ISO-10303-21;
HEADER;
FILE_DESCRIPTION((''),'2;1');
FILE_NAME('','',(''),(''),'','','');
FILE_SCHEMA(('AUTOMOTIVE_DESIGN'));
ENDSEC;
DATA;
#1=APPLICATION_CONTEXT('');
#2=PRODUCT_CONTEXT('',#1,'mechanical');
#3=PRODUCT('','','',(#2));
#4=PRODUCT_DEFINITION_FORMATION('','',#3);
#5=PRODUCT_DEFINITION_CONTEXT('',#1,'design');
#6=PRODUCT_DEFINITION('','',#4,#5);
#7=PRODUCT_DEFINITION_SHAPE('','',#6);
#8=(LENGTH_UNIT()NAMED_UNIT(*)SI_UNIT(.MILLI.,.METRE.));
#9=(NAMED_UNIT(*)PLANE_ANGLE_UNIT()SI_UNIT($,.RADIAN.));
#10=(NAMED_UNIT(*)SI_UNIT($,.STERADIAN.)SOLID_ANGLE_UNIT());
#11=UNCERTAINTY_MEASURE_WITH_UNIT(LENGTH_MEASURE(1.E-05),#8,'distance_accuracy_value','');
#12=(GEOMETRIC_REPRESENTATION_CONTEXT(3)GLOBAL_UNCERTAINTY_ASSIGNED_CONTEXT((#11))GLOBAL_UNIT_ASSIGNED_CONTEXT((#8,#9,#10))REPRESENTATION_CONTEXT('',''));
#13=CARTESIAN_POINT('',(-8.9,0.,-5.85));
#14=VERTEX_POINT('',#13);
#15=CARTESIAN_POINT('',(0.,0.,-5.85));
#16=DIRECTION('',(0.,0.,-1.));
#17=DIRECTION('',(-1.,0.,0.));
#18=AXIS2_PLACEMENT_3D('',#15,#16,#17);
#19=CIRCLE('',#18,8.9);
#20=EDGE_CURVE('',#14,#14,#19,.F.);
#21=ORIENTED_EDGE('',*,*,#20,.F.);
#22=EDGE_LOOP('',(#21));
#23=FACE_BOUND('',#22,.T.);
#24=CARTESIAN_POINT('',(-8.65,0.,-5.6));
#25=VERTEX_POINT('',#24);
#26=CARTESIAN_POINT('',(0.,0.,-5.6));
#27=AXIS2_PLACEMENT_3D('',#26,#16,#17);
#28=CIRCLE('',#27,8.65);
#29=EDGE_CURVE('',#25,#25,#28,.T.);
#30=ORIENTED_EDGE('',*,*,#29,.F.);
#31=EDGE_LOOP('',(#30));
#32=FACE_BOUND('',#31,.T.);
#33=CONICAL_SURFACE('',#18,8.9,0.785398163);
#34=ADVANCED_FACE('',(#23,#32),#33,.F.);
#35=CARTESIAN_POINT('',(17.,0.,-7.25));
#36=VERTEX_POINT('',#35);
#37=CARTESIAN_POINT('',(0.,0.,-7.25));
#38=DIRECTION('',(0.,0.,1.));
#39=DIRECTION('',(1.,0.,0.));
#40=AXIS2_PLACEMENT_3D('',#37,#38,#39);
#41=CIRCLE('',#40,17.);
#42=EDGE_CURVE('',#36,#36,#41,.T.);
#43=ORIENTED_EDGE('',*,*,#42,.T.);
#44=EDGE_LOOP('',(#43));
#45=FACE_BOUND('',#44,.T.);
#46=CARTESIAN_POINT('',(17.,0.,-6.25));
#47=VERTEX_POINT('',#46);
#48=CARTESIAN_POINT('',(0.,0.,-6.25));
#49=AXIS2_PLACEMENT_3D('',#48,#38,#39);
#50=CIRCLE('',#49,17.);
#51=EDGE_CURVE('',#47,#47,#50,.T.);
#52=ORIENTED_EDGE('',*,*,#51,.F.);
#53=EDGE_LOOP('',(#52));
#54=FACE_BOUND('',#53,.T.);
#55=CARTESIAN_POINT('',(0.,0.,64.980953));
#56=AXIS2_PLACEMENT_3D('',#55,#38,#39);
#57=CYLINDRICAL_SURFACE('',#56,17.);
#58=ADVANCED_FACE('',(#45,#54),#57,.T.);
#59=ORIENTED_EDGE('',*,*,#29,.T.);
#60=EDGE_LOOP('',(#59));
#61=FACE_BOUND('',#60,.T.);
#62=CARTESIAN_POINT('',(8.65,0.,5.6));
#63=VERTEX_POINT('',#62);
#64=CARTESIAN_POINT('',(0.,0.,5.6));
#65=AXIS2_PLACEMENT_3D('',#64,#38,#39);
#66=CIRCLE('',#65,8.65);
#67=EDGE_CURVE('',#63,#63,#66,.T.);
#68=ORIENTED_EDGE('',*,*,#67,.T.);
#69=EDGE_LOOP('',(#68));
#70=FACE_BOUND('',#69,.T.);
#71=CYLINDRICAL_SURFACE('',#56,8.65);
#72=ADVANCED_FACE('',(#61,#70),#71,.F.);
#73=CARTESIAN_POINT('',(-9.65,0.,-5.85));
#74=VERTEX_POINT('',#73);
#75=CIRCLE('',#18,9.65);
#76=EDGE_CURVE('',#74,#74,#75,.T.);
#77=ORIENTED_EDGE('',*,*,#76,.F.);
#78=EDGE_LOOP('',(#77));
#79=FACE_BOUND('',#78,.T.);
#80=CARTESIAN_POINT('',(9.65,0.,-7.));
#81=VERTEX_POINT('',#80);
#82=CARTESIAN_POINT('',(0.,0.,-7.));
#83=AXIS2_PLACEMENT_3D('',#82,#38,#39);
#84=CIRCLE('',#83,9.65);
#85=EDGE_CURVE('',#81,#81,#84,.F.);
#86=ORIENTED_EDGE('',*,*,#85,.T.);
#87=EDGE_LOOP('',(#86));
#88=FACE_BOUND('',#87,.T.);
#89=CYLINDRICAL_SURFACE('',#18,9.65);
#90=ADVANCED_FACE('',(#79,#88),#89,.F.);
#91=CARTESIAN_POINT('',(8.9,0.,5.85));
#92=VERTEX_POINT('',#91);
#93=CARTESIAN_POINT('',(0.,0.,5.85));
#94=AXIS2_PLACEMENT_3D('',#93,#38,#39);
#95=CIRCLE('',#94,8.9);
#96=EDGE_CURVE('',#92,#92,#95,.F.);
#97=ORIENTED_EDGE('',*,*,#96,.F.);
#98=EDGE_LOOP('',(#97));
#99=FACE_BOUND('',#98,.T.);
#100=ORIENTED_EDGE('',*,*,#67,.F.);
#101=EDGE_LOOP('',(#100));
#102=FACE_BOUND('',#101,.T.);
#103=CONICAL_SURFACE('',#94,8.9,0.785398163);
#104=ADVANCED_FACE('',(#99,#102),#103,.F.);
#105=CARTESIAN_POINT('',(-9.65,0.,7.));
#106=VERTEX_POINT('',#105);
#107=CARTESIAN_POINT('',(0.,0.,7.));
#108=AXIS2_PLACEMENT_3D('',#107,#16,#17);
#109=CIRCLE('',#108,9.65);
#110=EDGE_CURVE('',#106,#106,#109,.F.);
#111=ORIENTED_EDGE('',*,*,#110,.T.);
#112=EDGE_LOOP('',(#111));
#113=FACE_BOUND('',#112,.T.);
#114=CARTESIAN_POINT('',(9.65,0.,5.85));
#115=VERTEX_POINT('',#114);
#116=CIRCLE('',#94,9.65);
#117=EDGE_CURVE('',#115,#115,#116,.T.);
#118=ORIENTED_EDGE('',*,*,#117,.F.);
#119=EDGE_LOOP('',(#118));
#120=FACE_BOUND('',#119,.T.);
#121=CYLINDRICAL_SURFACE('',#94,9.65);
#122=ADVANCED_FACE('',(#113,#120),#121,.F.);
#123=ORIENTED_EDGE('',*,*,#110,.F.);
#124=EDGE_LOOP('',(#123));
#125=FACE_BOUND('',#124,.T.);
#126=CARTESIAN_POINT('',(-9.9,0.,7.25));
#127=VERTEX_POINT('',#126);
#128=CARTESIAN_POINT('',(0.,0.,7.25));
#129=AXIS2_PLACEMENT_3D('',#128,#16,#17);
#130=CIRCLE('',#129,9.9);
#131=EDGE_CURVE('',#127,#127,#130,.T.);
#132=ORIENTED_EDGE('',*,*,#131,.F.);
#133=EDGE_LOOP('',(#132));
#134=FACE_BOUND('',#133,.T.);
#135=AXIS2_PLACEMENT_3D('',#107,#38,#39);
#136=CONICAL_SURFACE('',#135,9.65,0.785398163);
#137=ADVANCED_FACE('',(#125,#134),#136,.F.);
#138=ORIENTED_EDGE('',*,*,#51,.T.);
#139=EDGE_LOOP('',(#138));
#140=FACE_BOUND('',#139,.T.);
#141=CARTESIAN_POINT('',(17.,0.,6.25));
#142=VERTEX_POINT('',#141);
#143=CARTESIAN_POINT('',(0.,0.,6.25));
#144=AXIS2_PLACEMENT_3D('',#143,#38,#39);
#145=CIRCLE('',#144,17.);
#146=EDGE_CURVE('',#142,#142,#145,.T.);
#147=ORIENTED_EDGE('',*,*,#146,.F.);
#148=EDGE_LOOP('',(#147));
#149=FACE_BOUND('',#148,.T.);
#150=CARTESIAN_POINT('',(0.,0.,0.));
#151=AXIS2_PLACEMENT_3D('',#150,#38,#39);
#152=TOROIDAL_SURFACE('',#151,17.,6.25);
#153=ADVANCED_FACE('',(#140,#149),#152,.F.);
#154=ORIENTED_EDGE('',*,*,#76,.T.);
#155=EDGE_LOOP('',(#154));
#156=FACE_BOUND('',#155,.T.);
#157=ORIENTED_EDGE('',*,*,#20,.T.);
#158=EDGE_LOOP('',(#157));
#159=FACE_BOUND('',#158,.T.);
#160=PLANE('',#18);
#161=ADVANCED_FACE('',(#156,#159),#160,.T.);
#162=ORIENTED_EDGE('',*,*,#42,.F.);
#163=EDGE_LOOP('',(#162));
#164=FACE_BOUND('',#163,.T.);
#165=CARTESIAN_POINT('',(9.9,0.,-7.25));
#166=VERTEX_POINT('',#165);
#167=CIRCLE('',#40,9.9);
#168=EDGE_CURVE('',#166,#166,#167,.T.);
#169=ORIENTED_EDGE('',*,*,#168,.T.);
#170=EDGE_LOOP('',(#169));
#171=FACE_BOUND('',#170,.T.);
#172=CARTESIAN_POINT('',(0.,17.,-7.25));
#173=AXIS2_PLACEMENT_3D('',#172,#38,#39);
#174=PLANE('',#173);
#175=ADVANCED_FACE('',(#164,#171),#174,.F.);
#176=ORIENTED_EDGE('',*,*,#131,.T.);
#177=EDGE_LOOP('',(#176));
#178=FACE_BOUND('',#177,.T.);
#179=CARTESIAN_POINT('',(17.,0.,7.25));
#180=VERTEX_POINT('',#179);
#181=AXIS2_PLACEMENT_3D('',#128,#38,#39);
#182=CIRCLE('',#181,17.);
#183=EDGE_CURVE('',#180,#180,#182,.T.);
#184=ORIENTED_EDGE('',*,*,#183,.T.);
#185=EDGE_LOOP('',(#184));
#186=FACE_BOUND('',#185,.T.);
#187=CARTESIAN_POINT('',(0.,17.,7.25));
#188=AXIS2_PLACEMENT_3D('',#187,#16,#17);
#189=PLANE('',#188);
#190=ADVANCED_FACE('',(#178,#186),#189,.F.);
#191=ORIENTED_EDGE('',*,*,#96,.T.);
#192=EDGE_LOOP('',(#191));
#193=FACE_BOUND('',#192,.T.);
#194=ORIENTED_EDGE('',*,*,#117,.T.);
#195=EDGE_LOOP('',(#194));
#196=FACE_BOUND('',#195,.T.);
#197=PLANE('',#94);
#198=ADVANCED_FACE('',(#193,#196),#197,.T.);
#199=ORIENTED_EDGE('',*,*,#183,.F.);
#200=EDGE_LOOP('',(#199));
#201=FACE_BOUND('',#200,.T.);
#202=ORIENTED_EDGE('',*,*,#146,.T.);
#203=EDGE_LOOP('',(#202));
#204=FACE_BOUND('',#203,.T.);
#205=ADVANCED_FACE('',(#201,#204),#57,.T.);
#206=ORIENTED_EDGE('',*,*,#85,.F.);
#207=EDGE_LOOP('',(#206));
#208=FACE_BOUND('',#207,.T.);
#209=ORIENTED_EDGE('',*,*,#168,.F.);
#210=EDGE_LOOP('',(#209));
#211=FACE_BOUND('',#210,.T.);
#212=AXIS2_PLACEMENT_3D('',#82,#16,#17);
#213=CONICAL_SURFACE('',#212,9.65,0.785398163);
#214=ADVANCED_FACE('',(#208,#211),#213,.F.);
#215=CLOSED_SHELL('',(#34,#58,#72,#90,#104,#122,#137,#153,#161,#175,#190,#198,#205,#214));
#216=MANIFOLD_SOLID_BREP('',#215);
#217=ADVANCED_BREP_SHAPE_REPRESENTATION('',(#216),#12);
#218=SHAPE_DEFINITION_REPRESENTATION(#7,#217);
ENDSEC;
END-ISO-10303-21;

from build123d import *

# Parameters (mm, degrees)
SKETCH2_R          = 9.65
CUT_EXTRUDE1_DEPTH = 1.4
CUT_EXTRUDE2_START = -1.4
SKETCH3_R          = 9.65
CUT_EXTRUDE2_DEPTH = 1.4
CHAMFER1_SIZE      = 0.25


with BuildPart() as part:
    # Sketch1 → Revolve1 (revolve)
    with BuildSketch(Plane(origin=(0, 0, 0), x_dir=(0, 0, -1), z_dir=(1, 0, 0)), mode=Mode.PRIVATE) as revolve1_sk:
        with BuildLine():
            Line((-6.25, 17), (-7.25, 17))
            Line((-7.25, 17), (-7.25, 8.65))
            Line((-7.25, 8.65), (7.25, 8.65))
            Line((7.25, 8.65), (7.25, 17))
            Line((7.25, 17), (6.25, 17))
            ThreePointArc((6.25, 17), (0, 10.75), (-6.25, 17))
        make_face()
    revolve(revolve1_sk.sketch.rotate(Axis((0, 0, 64.980952982), (0, 0, -1)), 90), axis=Axis((0, 0, 64.980952982), (0, 0, -1)))

    # Sketch2 → Cut-Extrude1 (cut)
    with BuildSketch(Plane(origin=(0, 0, -7.25), x_dir=(-1, 0, 0), z_dir=(0, 0, -1))):
        Circle(SKETCH2_R)
    extrude(amount=-CUT_EXTRUDE1_DEPTH, mode=Mode.SUBTRACT)

    # Sketch3 → Cut-Extrude2 (cut)
    with BuildSketch(Plane.XY.offset(7.25).offset(CUT_EXTRUDE2_START)):
        with Locations(Location((0, 0, 0), (0, 0, 180))):
            Circle(SKETCH3_R)
    extrude(amount=CUT_EXTRUDE2_DEPTH, mode=Mode.SUBTRACT)

    # Chamfer1
    chamfer1_edges = [part.edges().sort_by_distance(p)[0] for p in [
        (9.65, 0, -7.25),
        (-8.65, 0, -5.85),
        (9.65, 0, 7.25),
        (-8.65, 0, 5.85),
    ]]
    chamfer(chamfer1_edges, length=CHAMFER1_SIZE)


solid = part.part
